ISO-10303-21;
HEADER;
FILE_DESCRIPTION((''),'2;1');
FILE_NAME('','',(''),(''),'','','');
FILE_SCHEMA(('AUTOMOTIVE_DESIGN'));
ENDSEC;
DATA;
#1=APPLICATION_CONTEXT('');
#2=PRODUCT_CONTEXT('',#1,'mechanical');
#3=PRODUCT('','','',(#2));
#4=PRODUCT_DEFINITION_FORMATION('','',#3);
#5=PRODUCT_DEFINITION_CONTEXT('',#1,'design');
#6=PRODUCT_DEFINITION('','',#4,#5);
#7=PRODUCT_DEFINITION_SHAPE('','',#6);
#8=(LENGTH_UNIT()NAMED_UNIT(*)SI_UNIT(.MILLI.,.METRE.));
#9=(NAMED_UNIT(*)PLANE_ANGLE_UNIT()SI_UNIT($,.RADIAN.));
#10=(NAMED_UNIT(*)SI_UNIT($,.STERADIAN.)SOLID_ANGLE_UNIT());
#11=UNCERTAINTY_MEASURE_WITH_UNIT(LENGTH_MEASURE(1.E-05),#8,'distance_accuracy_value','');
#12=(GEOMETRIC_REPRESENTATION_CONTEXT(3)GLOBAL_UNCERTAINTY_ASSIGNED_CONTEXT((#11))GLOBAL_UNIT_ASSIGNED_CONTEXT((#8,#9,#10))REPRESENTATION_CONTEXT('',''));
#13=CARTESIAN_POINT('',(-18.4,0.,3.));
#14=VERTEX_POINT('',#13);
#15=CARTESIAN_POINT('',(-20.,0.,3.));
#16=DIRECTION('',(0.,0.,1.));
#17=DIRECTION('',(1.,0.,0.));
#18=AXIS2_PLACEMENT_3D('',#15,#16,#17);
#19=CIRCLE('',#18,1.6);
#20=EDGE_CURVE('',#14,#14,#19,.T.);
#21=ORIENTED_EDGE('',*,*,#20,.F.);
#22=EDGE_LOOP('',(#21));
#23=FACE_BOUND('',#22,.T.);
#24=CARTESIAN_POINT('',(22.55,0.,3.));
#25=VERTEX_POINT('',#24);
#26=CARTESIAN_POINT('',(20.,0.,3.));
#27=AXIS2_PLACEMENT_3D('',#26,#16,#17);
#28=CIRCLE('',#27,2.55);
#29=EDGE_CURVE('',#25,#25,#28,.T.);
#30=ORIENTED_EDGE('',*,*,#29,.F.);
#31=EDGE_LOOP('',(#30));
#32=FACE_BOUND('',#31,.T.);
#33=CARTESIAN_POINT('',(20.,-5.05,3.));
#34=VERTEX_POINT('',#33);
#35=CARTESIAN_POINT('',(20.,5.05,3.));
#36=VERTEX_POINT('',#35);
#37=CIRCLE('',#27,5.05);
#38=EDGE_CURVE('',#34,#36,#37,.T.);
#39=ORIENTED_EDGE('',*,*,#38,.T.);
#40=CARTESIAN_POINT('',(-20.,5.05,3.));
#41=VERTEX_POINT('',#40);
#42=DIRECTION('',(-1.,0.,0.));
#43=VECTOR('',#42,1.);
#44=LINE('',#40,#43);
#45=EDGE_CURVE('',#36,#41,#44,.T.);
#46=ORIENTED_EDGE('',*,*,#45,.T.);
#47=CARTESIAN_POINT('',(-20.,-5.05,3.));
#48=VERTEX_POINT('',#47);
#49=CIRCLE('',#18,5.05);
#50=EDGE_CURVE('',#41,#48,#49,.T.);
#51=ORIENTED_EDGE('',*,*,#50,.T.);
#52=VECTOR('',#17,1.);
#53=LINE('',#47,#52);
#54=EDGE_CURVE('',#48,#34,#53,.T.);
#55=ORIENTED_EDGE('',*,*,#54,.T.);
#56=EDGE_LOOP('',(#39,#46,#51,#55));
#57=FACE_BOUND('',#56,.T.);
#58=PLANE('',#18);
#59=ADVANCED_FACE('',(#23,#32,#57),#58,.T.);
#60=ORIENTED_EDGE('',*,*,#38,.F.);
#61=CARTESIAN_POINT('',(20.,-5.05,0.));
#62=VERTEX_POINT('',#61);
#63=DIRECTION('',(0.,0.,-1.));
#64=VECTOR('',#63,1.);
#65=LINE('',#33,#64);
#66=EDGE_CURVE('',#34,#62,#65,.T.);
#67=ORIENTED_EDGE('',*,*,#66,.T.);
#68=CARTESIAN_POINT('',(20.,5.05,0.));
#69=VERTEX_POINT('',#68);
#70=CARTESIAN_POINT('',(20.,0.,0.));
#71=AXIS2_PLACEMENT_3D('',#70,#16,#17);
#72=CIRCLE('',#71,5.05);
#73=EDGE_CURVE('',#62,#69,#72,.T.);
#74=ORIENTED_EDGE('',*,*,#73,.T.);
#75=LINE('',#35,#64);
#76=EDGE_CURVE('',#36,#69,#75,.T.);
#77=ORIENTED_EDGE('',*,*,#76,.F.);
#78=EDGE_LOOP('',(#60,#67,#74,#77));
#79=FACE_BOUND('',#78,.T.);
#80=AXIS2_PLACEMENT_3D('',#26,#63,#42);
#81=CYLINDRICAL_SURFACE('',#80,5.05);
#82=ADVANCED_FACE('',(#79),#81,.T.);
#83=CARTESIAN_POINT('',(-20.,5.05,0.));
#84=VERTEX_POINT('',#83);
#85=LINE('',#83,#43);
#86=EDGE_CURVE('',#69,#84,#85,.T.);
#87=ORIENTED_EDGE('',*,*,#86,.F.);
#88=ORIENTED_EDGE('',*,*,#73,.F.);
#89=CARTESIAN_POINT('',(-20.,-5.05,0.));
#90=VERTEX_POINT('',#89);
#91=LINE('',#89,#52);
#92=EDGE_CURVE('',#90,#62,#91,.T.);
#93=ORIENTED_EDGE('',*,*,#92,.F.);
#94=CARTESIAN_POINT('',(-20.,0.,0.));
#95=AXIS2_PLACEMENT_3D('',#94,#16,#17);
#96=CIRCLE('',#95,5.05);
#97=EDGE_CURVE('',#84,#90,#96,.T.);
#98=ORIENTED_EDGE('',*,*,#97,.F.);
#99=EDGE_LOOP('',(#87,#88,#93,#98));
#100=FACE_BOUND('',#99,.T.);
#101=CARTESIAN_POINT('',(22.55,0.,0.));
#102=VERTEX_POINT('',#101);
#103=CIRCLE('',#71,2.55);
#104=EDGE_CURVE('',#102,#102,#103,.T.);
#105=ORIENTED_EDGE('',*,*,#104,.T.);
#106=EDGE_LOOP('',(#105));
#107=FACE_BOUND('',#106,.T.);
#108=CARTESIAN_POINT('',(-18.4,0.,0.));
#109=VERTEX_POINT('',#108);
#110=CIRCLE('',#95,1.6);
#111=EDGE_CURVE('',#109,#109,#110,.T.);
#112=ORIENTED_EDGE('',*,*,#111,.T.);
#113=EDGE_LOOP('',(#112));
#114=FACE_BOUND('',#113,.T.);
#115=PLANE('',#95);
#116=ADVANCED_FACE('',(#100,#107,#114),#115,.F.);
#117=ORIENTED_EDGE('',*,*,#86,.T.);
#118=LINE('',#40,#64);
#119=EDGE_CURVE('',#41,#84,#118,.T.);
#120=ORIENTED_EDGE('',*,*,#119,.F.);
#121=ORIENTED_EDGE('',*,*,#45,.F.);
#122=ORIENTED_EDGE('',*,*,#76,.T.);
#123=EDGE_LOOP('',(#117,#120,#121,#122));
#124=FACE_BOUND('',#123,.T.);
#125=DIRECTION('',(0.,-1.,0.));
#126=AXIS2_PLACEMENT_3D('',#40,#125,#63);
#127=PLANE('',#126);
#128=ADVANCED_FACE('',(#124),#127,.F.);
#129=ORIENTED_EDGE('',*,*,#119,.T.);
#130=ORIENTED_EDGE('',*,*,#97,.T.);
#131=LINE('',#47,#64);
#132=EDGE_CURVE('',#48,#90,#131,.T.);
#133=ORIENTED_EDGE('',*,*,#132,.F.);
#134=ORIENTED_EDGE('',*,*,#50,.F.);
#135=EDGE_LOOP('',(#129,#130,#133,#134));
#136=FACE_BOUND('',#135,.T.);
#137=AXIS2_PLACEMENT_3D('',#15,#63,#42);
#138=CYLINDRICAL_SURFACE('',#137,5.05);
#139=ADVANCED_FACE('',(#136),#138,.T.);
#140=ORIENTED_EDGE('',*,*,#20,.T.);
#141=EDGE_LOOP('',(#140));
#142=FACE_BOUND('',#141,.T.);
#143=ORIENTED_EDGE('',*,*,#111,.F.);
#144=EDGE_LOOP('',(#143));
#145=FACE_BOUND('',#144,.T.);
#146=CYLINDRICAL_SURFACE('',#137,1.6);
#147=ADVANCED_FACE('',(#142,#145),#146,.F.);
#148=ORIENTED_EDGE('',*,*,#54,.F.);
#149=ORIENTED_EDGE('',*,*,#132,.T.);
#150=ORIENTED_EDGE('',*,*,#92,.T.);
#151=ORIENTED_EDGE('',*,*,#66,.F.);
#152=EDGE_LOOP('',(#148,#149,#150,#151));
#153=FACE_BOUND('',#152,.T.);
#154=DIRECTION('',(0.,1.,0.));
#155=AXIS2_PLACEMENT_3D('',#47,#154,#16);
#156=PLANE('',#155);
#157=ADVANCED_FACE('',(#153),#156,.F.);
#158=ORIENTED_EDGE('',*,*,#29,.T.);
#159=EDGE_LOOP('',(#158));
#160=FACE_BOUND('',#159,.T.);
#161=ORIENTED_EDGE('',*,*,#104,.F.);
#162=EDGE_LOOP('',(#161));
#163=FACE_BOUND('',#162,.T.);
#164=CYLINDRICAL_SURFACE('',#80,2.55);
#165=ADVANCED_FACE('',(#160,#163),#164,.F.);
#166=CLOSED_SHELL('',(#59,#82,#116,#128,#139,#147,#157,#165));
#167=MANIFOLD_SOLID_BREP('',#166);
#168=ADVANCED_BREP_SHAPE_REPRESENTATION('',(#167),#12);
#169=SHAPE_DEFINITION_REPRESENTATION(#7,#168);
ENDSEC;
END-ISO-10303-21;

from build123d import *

# Parameters (mm, degrees)
SKETCH_1_R      = 1.6
SKETCH_1_R_2    = 2.55
EXTRUDE_1_DEPTH = 3


with BuildPart() as part:
    # 草图1 → 凸台-拉伸1 (new body)
    with BuildSketch(Plane.XY):
        with BuildLine():
            Line((-20, 5.05), (20, 5.05))
            ThreePointArc((20, 5.05), (25.05, 0), (20, -5.05))
            Line((20, -5.05), (-20, -5.05))
            ThreePointArc((-20, -5.05), (-25.05, 0), (-20, 5.05))
        make_face()
        with Locations((-20, 0)):
            Circle(SKETCH_1_R, mode=Mode.SUBTRACT)
        with Locations((20, 0)):
            Circle(SKETCH_1_R_2, mode=Mode.SUBTRACT)
    extrude(amount=EXTRUDE_1_DEPTH)


solid = part.part
